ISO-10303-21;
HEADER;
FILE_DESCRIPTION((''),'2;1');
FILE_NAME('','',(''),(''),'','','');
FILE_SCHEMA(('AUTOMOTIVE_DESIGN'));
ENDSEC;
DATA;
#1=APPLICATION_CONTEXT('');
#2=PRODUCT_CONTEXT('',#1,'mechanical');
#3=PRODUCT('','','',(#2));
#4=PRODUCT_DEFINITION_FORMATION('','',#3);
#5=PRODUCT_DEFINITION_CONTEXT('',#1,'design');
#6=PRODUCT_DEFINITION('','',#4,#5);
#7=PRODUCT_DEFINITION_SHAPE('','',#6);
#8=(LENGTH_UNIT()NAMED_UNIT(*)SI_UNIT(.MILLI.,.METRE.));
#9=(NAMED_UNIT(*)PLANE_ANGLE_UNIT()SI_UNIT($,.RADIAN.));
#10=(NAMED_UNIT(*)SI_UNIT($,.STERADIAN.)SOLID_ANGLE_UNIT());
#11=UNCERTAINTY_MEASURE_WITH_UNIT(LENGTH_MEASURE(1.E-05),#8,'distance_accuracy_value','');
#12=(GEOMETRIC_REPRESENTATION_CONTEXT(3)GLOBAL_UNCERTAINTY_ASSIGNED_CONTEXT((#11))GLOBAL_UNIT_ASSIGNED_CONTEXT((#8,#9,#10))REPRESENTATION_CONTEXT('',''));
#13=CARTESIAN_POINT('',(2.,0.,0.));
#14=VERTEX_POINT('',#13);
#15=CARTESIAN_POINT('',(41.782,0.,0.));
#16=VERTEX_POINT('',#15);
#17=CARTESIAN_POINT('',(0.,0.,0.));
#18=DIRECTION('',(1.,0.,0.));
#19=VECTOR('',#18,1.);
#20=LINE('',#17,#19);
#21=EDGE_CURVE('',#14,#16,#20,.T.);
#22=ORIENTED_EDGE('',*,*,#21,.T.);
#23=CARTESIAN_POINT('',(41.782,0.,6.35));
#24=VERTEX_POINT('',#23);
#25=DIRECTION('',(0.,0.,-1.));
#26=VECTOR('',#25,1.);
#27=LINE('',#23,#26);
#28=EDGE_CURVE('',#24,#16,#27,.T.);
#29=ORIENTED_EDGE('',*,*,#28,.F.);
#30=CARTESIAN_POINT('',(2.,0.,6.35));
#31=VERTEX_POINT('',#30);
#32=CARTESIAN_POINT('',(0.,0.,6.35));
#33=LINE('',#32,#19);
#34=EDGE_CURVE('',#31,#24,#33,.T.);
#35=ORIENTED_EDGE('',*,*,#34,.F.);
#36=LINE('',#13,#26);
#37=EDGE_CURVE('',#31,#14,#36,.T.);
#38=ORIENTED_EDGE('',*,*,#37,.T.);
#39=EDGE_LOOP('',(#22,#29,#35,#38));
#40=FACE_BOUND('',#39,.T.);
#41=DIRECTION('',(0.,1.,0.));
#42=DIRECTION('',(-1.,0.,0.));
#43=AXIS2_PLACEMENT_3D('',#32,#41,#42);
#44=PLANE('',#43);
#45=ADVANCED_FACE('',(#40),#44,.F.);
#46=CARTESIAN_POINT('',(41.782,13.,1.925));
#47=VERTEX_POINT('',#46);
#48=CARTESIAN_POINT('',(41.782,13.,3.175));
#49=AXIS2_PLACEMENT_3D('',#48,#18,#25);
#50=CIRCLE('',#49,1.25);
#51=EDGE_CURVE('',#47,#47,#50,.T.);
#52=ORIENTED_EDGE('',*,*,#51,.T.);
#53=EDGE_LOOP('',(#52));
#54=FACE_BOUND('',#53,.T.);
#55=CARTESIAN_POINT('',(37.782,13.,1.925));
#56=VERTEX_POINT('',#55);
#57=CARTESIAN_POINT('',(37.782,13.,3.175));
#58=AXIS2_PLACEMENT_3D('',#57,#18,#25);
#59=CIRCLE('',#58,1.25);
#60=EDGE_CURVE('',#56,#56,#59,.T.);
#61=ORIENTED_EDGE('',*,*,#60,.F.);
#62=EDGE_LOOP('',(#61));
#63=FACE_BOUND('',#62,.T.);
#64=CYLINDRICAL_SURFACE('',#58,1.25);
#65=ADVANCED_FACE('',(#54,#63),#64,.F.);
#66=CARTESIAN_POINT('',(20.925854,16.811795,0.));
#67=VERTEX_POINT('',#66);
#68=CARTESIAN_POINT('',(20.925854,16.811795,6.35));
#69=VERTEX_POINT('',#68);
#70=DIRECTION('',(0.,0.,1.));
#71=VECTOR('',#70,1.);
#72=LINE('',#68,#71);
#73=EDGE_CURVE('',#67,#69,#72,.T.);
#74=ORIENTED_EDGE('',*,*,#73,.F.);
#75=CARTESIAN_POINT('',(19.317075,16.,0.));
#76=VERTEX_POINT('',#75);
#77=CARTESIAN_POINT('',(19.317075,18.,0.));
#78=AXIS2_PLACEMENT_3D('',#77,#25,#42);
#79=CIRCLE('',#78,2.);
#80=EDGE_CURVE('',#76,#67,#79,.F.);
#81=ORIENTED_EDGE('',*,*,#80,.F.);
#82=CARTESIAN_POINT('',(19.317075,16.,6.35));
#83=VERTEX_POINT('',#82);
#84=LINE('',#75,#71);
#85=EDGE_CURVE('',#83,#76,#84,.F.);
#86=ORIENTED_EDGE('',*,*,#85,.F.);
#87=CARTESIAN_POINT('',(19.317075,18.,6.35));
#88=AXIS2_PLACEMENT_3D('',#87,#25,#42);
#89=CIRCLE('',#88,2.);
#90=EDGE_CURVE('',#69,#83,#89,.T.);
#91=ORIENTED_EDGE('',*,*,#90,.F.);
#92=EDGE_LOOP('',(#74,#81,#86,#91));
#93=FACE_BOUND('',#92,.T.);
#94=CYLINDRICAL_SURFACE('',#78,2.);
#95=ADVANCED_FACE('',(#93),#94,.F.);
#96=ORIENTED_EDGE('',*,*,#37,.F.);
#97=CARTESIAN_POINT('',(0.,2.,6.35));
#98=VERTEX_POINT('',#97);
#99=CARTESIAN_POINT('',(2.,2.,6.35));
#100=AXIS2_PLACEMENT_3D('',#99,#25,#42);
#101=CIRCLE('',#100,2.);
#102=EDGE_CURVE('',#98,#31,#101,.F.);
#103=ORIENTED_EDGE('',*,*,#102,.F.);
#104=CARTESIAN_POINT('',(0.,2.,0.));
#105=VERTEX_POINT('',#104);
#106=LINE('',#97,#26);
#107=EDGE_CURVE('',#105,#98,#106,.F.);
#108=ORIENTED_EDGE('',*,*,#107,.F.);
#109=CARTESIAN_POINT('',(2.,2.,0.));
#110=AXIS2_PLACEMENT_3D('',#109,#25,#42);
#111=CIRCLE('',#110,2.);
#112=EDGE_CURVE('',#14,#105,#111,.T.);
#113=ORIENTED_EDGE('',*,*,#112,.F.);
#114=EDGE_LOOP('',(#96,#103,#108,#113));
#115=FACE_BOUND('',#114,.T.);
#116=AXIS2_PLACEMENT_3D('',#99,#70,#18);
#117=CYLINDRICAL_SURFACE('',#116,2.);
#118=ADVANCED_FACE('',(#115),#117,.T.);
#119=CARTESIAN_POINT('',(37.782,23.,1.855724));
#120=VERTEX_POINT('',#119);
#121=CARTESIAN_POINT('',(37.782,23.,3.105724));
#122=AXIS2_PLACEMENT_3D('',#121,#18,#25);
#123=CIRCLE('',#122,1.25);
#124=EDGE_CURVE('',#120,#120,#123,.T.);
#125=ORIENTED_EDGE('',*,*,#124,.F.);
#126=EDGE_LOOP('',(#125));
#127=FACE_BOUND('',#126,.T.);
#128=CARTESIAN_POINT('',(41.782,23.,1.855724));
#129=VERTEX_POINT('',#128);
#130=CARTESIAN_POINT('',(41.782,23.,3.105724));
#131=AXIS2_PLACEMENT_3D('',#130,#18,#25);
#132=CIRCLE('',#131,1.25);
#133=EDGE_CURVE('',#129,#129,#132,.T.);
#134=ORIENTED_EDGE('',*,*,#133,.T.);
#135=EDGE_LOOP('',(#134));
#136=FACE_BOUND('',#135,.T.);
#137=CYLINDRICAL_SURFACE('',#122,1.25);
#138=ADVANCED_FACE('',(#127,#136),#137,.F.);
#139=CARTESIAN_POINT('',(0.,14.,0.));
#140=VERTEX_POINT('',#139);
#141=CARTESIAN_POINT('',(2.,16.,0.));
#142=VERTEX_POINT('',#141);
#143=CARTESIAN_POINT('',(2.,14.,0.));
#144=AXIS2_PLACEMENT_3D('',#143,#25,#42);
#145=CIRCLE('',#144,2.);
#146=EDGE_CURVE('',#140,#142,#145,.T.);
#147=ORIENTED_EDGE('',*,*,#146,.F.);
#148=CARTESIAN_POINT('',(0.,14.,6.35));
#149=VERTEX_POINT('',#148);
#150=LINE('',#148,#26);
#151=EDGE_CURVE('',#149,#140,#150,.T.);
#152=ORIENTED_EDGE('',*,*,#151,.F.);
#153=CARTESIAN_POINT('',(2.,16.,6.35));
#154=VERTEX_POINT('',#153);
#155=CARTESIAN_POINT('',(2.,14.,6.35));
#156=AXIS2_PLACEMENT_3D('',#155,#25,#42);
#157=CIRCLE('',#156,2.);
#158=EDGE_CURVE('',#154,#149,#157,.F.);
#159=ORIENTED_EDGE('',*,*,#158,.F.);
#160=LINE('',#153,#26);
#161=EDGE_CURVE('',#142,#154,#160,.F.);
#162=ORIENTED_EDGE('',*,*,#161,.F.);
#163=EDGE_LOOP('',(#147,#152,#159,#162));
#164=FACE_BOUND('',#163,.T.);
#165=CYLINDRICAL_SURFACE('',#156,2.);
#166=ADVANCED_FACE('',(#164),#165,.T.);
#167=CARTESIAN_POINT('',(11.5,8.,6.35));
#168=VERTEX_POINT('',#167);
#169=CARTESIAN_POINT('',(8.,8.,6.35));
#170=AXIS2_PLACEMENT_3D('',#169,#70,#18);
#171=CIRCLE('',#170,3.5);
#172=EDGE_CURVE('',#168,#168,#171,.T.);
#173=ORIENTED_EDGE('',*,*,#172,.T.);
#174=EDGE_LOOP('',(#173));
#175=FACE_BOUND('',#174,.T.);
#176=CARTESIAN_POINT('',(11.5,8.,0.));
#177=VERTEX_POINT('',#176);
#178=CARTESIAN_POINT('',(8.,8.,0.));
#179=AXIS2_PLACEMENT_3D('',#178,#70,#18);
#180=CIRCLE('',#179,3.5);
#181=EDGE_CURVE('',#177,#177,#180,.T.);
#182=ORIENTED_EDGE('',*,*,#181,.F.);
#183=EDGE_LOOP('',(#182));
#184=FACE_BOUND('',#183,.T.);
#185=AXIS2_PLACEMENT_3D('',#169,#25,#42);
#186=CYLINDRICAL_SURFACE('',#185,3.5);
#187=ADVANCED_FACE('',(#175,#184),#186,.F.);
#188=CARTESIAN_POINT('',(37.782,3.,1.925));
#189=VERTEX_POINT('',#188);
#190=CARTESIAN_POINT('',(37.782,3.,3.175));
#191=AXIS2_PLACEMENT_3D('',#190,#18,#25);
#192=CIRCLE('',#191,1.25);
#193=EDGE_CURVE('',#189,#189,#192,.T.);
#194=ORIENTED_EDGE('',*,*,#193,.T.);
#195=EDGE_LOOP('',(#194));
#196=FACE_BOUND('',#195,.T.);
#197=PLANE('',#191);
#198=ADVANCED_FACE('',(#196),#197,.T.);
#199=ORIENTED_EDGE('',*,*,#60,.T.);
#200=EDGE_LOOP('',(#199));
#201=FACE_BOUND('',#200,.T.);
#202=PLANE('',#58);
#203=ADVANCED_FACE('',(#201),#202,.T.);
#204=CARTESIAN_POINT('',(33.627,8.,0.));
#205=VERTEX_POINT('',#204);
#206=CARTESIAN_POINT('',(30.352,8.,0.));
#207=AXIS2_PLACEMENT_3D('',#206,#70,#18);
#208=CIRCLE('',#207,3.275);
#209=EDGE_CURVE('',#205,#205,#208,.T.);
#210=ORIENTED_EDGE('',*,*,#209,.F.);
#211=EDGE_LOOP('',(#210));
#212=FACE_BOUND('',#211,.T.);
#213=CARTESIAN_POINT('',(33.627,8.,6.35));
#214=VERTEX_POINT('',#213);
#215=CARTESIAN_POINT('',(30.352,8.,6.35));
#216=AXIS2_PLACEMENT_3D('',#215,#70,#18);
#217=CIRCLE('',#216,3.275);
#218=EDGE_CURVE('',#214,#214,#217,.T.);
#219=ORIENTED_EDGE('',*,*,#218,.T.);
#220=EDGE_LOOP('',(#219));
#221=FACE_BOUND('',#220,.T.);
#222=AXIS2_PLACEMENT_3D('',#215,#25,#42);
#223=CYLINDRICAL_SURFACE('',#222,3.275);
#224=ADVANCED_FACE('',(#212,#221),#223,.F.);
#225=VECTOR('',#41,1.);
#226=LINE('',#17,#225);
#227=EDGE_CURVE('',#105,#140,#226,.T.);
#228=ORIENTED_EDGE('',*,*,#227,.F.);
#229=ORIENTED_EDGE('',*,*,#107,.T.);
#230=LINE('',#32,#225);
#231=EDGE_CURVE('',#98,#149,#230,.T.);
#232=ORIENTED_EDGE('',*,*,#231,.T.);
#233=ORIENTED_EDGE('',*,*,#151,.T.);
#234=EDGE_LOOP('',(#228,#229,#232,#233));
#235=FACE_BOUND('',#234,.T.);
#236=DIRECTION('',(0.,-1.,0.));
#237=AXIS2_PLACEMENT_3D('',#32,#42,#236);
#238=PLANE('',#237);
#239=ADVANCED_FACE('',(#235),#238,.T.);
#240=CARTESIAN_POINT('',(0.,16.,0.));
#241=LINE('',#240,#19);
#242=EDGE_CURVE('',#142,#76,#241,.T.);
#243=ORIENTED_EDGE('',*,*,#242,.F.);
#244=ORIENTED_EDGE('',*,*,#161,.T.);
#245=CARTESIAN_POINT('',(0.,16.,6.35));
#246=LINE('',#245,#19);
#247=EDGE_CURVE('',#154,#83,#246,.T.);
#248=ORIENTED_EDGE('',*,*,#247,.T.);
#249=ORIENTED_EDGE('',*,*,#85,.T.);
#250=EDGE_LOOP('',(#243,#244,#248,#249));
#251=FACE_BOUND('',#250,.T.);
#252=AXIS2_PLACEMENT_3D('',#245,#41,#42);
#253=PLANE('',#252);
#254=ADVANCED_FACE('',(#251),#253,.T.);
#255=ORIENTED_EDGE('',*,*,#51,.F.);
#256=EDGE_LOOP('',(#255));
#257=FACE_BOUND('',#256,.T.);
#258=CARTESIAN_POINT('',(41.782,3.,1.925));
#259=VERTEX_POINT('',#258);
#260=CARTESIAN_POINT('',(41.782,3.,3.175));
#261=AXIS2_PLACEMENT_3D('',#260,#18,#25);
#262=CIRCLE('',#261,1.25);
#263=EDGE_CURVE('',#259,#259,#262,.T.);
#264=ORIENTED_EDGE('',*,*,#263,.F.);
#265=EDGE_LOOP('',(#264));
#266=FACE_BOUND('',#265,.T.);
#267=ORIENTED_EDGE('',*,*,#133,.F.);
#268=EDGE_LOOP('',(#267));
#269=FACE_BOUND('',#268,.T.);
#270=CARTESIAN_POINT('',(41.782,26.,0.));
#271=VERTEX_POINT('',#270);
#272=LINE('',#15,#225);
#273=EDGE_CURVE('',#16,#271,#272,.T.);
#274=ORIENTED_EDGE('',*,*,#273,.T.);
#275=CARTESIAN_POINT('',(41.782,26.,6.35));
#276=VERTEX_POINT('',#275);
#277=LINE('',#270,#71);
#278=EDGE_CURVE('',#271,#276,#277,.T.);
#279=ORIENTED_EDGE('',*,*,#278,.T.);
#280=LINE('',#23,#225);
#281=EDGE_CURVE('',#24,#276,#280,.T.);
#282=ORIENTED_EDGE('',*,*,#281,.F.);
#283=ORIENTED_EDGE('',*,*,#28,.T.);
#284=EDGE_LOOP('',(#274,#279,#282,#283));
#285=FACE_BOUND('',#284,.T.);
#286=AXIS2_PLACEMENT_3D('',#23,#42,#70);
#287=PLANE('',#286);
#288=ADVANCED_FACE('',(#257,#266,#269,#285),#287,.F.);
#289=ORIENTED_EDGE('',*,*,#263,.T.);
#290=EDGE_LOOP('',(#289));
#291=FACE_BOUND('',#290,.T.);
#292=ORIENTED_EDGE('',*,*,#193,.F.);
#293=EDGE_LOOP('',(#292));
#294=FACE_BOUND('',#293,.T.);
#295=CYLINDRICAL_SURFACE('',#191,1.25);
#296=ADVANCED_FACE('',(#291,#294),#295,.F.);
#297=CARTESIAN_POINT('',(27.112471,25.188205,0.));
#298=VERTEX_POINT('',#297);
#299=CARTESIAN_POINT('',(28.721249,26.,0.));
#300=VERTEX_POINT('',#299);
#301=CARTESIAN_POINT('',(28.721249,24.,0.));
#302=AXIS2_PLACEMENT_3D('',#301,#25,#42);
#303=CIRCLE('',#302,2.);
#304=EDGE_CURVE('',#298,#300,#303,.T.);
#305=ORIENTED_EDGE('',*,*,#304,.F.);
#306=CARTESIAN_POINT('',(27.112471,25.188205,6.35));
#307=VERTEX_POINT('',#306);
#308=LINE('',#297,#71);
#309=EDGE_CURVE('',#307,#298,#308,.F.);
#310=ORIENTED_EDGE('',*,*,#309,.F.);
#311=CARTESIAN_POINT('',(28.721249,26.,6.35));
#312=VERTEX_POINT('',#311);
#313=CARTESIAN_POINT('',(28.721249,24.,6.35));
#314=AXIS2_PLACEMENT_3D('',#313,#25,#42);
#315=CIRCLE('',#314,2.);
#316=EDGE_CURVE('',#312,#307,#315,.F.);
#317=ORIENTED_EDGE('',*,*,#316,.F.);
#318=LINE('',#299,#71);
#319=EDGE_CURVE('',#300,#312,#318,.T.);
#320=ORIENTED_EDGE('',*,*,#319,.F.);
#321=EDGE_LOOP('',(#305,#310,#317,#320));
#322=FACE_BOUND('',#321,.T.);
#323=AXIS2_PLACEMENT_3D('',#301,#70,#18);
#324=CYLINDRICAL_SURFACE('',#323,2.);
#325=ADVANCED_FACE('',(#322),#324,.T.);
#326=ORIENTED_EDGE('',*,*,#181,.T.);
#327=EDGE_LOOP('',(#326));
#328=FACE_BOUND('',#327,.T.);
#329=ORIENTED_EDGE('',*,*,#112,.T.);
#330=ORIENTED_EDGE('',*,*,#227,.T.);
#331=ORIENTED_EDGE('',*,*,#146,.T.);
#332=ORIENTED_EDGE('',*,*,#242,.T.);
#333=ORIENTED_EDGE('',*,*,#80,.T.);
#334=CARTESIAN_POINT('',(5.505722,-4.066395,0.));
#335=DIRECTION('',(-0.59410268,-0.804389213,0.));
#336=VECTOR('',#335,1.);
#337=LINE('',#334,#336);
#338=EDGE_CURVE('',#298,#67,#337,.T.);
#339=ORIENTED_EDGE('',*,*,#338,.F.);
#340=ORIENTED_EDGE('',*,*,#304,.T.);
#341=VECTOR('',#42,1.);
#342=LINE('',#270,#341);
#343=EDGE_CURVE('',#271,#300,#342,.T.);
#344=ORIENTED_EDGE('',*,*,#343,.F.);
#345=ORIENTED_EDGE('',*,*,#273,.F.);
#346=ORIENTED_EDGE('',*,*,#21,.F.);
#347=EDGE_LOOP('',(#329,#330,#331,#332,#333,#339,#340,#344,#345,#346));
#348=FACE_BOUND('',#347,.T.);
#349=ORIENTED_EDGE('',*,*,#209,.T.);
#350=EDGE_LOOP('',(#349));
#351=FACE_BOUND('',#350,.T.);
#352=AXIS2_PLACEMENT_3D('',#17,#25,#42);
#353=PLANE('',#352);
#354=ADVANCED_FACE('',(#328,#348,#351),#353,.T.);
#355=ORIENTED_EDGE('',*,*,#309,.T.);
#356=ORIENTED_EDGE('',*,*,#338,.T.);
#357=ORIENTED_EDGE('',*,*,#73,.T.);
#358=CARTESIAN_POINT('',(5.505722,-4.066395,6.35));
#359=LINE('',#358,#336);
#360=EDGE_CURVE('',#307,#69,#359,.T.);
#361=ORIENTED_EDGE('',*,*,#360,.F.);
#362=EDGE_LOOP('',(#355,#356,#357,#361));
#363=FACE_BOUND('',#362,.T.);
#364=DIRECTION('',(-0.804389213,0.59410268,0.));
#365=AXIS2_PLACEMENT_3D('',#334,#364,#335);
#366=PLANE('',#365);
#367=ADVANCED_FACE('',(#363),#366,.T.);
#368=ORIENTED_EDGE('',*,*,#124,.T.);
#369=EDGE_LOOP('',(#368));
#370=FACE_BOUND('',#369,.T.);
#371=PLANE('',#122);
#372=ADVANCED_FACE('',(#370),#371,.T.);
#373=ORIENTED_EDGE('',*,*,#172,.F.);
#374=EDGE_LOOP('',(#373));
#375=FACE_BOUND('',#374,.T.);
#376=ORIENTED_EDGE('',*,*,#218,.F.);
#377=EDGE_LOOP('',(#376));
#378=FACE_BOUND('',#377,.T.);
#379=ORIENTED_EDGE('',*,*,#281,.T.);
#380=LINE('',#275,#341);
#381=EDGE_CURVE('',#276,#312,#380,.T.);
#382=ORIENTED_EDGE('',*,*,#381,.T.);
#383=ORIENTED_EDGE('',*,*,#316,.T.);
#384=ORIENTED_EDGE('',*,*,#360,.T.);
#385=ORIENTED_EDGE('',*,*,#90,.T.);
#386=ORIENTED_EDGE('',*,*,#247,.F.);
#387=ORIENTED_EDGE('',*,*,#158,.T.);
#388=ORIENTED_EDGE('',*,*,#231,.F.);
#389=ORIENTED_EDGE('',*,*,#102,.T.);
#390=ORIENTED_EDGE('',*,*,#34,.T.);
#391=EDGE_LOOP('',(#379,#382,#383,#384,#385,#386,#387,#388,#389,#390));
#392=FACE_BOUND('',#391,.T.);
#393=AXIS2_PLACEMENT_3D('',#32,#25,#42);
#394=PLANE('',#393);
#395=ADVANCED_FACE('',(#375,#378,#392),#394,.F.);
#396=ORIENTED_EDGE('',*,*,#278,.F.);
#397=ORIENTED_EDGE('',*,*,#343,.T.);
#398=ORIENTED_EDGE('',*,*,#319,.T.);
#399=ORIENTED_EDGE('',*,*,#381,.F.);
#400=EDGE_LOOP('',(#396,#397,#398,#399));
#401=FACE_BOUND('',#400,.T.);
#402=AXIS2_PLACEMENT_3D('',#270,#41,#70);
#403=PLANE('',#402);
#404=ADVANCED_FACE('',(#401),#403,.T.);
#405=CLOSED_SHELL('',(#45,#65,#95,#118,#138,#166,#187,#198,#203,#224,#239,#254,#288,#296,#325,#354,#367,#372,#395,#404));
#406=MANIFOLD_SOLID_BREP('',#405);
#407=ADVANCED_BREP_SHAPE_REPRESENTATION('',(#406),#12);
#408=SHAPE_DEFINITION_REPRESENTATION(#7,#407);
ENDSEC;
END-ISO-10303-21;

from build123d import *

# Parameters (mm, degrees)
SKETCH1_W           = 41.782
SKETCH1_H           = 16
BOSS_EXTRUDE1_DEPTH = 6.35
SKETCH1_6_R         = 3.275
SKETCH1_6_R_2       = 3.5
CUT_EXTRUDE1_DEPTH  = 6.35
FILLET1_R           = 2
SKETCH2_R           = 1.25
CUT_EXTRUDE2_DEPTH  = 4
BOSS_EXTRUDE2_DEPTH = 6.35
FILLET2_R           = 2
SKETCH4_R           = 1.25
CUT_EXTRUDE3_DEPTH  = 4


with BuildPart() as part:
    # Sketch1 → Boss-Extrude1 (new body)
    with BuildSketch(Plane.XY):
        with Locations((20.891, 8)):
            Rectangle(SKETCH1_W, SKETCH1_H)
    extrude(amount=BOSS_EXTRUDE1_DEPTH)

    # Sketch1<6> → Cut-Extrude1 (cut)
    with BuildSketch(Plane.XY):
        with Locations((30.352, 8)):
            Circle(SKETCH1_6_R)
        with Locations((8, 8)):
            Circle(SKETCH1_6_R_2)
    extrude(amount=CUT_EXTRUDE1_DEPTH, mode=Mode.SUBTRACT)

    # Fillet1
    fillet1_edges = [part.edges().sort_by_distance(p)[0] for p in [
        (0, 16, 3.175),
        (0, 0, 3.175),
    ]]
    fillet(fillet1_edges, radius=FILLET1_R)

    # Sketch2 → Cut-Extrude2 (cut)
    with BuildSketch(Plane(origin=(41.782, 0, 0), x_dir=(0, 0, -1), z_dir=(1, 0, 0))):
        with Locations((-3.175, 13)):
            Circle(SKETCH2_R)
        with Locations((-3.175, 3)):
            Circle(SKETCH2_R)
    extrude(amount=-CUT_EXTRUDE2_DEPTH, mode=Mode.SUBTRACT)

    # Sketch3 → Boss-Extrude2 (add)
    with BuildSketch(Plane.XY.offset(6.35)):
        Polygon((20.326281713, 16), (41.782, 16), (41.782, 26), (27.712043107, 26), align=None)
    extrude(amount=-BOSS_EXTRUDE2_DEPTH)

    # Fillet2
    fillet2_edges = [part.edges().sort_by_distance(p)[0] for p in [
        (20.326281713, 16, 3.175),
        (27.712043107, 26, 3.175),
    ]]
    fillet(fillet2_edges, radius=FILLET2_R)

    # Sketch4 → Cut-Extrude3 (cut)
    with BuildSketch(Plane(origin=(41.782, 0, 0), x_dir=(0, 0, -1), z_dir=(1, 0, 0))):
        with Locations((-3.10572404, 23)):
            Circle(SKETCH4_R)
    extrude(amount=-CUT_EXTRUDE3_DEPTH, mode=Mode.SUBTRACT)


solid = part.part
